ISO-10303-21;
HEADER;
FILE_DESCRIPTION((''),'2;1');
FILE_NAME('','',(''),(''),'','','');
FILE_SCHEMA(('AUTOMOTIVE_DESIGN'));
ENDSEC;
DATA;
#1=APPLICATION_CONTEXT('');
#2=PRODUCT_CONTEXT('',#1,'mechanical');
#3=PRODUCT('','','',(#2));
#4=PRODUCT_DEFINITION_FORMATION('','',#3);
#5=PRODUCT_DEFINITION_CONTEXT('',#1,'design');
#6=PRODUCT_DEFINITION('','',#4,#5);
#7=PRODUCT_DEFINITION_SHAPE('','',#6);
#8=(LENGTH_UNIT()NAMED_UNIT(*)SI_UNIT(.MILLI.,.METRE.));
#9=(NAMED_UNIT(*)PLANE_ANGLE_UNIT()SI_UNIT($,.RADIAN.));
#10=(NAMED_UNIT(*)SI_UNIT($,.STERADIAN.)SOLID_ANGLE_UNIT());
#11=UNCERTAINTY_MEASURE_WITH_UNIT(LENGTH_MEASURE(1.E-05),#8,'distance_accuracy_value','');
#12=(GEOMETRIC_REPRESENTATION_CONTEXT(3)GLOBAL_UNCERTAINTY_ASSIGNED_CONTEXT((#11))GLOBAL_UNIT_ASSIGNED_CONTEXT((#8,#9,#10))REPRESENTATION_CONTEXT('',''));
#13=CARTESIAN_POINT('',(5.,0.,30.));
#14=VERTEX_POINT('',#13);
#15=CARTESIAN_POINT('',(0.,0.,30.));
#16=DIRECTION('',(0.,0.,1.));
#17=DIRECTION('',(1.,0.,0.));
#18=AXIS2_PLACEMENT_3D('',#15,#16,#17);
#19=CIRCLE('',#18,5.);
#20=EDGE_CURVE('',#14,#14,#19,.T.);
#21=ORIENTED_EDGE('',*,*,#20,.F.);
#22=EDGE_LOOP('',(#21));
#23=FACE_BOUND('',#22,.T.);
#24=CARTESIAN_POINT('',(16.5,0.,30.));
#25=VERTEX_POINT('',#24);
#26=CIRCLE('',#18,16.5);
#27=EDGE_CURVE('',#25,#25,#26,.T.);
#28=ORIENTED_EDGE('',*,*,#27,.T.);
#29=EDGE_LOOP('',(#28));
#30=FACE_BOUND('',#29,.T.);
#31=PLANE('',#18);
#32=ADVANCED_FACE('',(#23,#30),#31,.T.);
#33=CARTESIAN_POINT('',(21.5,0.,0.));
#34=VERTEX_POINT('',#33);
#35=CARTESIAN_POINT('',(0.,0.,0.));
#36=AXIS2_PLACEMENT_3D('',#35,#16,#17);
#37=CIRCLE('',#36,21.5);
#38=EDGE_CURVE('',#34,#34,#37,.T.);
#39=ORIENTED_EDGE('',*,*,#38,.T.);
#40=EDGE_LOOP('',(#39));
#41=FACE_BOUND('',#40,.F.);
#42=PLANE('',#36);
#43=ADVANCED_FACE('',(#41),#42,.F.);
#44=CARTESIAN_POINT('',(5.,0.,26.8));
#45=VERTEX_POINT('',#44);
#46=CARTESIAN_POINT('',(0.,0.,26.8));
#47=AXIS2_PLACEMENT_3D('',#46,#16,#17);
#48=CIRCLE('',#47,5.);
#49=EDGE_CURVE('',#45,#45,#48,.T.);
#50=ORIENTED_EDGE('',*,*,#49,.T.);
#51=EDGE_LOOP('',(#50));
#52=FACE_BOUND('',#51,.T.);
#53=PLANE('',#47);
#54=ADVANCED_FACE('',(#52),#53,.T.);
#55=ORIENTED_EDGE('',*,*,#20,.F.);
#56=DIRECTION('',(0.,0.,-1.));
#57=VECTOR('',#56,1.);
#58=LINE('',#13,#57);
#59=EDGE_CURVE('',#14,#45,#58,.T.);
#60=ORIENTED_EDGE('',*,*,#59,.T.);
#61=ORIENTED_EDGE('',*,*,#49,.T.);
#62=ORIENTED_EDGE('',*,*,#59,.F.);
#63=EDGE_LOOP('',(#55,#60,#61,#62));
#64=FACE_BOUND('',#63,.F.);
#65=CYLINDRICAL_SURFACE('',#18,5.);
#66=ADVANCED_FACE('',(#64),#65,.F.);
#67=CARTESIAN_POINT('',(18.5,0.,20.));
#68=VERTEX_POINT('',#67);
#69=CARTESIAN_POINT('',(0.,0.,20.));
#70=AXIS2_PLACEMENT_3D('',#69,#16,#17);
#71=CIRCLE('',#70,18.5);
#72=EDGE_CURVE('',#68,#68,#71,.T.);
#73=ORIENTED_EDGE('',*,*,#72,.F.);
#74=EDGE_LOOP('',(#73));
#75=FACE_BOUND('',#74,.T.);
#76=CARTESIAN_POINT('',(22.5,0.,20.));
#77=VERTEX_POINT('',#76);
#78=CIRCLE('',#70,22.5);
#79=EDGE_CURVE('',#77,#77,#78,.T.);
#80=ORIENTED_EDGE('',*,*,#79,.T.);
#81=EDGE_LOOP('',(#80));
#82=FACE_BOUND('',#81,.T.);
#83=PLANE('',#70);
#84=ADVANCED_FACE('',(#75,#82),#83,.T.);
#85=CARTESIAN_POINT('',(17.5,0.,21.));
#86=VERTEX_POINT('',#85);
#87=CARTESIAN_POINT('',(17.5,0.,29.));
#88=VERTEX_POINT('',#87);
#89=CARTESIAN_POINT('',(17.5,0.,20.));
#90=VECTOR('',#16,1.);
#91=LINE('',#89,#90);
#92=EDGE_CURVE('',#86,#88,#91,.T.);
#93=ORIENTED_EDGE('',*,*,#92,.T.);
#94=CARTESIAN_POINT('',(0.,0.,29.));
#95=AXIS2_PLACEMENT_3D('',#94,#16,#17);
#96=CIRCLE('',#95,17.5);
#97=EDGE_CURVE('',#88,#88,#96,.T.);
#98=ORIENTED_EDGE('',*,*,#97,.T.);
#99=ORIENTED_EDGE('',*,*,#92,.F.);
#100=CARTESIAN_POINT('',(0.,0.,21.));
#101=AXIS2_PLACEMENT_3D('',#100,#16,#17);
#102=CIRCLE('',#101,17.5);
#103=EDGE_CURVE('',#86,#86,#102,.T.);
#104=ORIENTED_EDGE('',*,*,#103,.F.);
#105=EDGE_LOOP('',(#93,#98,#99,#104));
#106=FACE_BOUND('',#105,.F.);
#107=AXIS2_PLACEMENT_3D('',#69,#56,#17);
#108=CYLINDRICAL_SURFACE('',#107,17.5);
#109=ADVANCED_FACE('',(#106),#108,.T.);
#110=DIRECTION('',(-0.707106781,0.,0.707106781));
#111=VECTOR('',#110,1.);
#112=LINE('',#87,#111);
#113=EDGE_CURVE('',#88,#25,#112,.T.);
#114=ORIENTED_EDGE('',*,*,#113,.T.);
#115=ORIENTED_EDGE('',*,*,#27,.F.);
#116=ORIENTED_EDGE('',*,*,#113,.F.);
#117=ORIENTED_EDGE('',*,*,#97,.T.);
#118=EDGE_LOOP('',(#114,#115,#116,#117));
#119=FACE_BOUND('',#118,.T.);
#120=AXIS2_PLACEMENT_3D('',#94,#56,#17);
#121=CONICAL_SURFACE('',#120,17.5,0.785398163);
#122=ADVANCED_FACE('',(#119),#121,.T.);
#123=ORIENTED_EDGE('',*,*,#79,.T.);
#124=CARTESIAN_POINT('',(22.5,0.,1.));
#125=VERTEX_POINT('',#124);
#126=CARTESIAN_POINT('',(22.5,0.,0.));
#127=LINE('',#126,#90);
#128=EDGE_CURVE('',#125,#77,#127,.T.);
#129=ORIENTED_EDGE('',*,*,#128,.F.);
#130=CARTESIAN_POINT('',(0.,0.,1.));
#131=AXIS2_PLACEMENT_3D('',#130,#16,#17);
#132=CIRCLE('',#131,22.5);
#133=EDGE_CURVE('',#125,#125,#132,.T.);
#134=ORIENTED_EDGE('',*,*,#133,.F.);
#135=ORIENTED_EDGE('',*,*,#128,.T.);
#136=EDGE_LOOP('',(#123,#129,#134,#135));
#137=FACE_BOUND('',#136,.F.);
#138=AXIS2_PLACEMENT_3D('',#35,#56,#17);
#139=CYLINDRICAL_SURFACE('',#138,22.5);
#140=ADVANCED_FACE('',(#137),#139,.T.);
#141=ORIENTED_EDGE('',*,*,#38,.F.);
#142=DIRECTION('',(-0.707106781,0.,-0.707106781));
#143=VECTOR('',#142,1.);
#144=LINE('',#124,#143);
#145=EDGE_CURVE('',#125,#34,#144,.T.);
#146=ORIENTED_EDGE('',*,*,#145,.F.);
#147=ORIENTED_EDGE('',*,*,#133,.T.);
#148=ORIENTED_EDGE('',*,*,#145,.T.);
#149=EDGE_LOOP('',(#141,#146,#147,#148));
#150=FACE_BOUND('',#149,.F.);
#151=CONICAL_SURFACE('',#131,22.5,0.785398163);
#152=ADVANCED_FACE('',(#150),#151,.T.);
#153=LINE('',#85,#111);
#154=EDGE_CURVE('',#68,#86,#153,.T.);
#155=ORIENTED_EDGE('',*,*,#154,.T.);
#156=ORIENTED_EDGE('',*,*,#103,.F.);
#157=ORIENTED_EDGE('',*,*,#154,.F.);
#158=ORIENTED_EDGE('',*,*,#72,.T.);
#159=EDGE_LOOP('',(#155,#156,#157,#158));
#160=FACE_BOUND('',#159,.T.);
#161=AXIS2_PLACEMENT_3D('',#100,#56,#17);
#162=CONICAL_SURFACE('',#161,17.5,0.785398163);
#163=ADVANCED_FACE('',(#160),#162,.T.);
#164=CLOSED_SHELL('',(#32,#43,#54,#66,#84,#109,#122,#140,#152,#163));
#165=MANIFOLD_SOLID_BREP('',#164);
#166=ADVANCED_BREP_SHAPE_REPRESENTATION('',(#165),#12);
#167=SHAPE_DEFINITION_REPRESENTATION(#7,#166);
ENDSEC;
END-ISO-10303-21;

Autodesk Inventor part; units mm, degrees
ref_plane "YZ Plane" through (0, 0, 0) normal (1, 0, 0) x (0, 1, 0)
ref_plane "XZ Plane" through (0, 0, 0) normal (0, 1, 0) x (-1, 0, 0)
ref_plane "XY Plane" through (0, 0, 0) normal (0, 0, 1) x (1, 0, 0)
sketch "Sketch1" plane through (0, 0, 0) normal (0, 0, 1) x (1, 0, 0)
  circle A0 centre (0, 0) radius 22.5
  dimension "d0" = 45
extrude "Extrusion1" add sketch "Sketch1" along normal blind 20
sketch "Sketch2" plane through (0, 0, 20) normal (0, 0, 1) x (1, 0, 0)
  circle A0 centre (0, 0) radius 17.5
  dimension "d3" = 35
extrude "Extrusion2" add sketch "Sketch2" along normal blind 10
chamfer "Chamfer1" distance 1 angle 45 1 edges at (-17.5, 0, 20)
chamfer "Chamfer2" distance 1 angle 45 1 edges at (-17.5, 0, 30)
chamfer "Chamfer3" distance 1 angle 45 1 edges at (-22.5, 0, 0)
sketch "Sketch3" plane through (0, 0, 30) normal (0, 0, 1) x (1, 0, 0)
  circle A0 centre (0, 0) radius 5
  dimension "d15" = 10
extrude "Extrusion3" cut sketch "Sketch3" against normal blind 3.2
